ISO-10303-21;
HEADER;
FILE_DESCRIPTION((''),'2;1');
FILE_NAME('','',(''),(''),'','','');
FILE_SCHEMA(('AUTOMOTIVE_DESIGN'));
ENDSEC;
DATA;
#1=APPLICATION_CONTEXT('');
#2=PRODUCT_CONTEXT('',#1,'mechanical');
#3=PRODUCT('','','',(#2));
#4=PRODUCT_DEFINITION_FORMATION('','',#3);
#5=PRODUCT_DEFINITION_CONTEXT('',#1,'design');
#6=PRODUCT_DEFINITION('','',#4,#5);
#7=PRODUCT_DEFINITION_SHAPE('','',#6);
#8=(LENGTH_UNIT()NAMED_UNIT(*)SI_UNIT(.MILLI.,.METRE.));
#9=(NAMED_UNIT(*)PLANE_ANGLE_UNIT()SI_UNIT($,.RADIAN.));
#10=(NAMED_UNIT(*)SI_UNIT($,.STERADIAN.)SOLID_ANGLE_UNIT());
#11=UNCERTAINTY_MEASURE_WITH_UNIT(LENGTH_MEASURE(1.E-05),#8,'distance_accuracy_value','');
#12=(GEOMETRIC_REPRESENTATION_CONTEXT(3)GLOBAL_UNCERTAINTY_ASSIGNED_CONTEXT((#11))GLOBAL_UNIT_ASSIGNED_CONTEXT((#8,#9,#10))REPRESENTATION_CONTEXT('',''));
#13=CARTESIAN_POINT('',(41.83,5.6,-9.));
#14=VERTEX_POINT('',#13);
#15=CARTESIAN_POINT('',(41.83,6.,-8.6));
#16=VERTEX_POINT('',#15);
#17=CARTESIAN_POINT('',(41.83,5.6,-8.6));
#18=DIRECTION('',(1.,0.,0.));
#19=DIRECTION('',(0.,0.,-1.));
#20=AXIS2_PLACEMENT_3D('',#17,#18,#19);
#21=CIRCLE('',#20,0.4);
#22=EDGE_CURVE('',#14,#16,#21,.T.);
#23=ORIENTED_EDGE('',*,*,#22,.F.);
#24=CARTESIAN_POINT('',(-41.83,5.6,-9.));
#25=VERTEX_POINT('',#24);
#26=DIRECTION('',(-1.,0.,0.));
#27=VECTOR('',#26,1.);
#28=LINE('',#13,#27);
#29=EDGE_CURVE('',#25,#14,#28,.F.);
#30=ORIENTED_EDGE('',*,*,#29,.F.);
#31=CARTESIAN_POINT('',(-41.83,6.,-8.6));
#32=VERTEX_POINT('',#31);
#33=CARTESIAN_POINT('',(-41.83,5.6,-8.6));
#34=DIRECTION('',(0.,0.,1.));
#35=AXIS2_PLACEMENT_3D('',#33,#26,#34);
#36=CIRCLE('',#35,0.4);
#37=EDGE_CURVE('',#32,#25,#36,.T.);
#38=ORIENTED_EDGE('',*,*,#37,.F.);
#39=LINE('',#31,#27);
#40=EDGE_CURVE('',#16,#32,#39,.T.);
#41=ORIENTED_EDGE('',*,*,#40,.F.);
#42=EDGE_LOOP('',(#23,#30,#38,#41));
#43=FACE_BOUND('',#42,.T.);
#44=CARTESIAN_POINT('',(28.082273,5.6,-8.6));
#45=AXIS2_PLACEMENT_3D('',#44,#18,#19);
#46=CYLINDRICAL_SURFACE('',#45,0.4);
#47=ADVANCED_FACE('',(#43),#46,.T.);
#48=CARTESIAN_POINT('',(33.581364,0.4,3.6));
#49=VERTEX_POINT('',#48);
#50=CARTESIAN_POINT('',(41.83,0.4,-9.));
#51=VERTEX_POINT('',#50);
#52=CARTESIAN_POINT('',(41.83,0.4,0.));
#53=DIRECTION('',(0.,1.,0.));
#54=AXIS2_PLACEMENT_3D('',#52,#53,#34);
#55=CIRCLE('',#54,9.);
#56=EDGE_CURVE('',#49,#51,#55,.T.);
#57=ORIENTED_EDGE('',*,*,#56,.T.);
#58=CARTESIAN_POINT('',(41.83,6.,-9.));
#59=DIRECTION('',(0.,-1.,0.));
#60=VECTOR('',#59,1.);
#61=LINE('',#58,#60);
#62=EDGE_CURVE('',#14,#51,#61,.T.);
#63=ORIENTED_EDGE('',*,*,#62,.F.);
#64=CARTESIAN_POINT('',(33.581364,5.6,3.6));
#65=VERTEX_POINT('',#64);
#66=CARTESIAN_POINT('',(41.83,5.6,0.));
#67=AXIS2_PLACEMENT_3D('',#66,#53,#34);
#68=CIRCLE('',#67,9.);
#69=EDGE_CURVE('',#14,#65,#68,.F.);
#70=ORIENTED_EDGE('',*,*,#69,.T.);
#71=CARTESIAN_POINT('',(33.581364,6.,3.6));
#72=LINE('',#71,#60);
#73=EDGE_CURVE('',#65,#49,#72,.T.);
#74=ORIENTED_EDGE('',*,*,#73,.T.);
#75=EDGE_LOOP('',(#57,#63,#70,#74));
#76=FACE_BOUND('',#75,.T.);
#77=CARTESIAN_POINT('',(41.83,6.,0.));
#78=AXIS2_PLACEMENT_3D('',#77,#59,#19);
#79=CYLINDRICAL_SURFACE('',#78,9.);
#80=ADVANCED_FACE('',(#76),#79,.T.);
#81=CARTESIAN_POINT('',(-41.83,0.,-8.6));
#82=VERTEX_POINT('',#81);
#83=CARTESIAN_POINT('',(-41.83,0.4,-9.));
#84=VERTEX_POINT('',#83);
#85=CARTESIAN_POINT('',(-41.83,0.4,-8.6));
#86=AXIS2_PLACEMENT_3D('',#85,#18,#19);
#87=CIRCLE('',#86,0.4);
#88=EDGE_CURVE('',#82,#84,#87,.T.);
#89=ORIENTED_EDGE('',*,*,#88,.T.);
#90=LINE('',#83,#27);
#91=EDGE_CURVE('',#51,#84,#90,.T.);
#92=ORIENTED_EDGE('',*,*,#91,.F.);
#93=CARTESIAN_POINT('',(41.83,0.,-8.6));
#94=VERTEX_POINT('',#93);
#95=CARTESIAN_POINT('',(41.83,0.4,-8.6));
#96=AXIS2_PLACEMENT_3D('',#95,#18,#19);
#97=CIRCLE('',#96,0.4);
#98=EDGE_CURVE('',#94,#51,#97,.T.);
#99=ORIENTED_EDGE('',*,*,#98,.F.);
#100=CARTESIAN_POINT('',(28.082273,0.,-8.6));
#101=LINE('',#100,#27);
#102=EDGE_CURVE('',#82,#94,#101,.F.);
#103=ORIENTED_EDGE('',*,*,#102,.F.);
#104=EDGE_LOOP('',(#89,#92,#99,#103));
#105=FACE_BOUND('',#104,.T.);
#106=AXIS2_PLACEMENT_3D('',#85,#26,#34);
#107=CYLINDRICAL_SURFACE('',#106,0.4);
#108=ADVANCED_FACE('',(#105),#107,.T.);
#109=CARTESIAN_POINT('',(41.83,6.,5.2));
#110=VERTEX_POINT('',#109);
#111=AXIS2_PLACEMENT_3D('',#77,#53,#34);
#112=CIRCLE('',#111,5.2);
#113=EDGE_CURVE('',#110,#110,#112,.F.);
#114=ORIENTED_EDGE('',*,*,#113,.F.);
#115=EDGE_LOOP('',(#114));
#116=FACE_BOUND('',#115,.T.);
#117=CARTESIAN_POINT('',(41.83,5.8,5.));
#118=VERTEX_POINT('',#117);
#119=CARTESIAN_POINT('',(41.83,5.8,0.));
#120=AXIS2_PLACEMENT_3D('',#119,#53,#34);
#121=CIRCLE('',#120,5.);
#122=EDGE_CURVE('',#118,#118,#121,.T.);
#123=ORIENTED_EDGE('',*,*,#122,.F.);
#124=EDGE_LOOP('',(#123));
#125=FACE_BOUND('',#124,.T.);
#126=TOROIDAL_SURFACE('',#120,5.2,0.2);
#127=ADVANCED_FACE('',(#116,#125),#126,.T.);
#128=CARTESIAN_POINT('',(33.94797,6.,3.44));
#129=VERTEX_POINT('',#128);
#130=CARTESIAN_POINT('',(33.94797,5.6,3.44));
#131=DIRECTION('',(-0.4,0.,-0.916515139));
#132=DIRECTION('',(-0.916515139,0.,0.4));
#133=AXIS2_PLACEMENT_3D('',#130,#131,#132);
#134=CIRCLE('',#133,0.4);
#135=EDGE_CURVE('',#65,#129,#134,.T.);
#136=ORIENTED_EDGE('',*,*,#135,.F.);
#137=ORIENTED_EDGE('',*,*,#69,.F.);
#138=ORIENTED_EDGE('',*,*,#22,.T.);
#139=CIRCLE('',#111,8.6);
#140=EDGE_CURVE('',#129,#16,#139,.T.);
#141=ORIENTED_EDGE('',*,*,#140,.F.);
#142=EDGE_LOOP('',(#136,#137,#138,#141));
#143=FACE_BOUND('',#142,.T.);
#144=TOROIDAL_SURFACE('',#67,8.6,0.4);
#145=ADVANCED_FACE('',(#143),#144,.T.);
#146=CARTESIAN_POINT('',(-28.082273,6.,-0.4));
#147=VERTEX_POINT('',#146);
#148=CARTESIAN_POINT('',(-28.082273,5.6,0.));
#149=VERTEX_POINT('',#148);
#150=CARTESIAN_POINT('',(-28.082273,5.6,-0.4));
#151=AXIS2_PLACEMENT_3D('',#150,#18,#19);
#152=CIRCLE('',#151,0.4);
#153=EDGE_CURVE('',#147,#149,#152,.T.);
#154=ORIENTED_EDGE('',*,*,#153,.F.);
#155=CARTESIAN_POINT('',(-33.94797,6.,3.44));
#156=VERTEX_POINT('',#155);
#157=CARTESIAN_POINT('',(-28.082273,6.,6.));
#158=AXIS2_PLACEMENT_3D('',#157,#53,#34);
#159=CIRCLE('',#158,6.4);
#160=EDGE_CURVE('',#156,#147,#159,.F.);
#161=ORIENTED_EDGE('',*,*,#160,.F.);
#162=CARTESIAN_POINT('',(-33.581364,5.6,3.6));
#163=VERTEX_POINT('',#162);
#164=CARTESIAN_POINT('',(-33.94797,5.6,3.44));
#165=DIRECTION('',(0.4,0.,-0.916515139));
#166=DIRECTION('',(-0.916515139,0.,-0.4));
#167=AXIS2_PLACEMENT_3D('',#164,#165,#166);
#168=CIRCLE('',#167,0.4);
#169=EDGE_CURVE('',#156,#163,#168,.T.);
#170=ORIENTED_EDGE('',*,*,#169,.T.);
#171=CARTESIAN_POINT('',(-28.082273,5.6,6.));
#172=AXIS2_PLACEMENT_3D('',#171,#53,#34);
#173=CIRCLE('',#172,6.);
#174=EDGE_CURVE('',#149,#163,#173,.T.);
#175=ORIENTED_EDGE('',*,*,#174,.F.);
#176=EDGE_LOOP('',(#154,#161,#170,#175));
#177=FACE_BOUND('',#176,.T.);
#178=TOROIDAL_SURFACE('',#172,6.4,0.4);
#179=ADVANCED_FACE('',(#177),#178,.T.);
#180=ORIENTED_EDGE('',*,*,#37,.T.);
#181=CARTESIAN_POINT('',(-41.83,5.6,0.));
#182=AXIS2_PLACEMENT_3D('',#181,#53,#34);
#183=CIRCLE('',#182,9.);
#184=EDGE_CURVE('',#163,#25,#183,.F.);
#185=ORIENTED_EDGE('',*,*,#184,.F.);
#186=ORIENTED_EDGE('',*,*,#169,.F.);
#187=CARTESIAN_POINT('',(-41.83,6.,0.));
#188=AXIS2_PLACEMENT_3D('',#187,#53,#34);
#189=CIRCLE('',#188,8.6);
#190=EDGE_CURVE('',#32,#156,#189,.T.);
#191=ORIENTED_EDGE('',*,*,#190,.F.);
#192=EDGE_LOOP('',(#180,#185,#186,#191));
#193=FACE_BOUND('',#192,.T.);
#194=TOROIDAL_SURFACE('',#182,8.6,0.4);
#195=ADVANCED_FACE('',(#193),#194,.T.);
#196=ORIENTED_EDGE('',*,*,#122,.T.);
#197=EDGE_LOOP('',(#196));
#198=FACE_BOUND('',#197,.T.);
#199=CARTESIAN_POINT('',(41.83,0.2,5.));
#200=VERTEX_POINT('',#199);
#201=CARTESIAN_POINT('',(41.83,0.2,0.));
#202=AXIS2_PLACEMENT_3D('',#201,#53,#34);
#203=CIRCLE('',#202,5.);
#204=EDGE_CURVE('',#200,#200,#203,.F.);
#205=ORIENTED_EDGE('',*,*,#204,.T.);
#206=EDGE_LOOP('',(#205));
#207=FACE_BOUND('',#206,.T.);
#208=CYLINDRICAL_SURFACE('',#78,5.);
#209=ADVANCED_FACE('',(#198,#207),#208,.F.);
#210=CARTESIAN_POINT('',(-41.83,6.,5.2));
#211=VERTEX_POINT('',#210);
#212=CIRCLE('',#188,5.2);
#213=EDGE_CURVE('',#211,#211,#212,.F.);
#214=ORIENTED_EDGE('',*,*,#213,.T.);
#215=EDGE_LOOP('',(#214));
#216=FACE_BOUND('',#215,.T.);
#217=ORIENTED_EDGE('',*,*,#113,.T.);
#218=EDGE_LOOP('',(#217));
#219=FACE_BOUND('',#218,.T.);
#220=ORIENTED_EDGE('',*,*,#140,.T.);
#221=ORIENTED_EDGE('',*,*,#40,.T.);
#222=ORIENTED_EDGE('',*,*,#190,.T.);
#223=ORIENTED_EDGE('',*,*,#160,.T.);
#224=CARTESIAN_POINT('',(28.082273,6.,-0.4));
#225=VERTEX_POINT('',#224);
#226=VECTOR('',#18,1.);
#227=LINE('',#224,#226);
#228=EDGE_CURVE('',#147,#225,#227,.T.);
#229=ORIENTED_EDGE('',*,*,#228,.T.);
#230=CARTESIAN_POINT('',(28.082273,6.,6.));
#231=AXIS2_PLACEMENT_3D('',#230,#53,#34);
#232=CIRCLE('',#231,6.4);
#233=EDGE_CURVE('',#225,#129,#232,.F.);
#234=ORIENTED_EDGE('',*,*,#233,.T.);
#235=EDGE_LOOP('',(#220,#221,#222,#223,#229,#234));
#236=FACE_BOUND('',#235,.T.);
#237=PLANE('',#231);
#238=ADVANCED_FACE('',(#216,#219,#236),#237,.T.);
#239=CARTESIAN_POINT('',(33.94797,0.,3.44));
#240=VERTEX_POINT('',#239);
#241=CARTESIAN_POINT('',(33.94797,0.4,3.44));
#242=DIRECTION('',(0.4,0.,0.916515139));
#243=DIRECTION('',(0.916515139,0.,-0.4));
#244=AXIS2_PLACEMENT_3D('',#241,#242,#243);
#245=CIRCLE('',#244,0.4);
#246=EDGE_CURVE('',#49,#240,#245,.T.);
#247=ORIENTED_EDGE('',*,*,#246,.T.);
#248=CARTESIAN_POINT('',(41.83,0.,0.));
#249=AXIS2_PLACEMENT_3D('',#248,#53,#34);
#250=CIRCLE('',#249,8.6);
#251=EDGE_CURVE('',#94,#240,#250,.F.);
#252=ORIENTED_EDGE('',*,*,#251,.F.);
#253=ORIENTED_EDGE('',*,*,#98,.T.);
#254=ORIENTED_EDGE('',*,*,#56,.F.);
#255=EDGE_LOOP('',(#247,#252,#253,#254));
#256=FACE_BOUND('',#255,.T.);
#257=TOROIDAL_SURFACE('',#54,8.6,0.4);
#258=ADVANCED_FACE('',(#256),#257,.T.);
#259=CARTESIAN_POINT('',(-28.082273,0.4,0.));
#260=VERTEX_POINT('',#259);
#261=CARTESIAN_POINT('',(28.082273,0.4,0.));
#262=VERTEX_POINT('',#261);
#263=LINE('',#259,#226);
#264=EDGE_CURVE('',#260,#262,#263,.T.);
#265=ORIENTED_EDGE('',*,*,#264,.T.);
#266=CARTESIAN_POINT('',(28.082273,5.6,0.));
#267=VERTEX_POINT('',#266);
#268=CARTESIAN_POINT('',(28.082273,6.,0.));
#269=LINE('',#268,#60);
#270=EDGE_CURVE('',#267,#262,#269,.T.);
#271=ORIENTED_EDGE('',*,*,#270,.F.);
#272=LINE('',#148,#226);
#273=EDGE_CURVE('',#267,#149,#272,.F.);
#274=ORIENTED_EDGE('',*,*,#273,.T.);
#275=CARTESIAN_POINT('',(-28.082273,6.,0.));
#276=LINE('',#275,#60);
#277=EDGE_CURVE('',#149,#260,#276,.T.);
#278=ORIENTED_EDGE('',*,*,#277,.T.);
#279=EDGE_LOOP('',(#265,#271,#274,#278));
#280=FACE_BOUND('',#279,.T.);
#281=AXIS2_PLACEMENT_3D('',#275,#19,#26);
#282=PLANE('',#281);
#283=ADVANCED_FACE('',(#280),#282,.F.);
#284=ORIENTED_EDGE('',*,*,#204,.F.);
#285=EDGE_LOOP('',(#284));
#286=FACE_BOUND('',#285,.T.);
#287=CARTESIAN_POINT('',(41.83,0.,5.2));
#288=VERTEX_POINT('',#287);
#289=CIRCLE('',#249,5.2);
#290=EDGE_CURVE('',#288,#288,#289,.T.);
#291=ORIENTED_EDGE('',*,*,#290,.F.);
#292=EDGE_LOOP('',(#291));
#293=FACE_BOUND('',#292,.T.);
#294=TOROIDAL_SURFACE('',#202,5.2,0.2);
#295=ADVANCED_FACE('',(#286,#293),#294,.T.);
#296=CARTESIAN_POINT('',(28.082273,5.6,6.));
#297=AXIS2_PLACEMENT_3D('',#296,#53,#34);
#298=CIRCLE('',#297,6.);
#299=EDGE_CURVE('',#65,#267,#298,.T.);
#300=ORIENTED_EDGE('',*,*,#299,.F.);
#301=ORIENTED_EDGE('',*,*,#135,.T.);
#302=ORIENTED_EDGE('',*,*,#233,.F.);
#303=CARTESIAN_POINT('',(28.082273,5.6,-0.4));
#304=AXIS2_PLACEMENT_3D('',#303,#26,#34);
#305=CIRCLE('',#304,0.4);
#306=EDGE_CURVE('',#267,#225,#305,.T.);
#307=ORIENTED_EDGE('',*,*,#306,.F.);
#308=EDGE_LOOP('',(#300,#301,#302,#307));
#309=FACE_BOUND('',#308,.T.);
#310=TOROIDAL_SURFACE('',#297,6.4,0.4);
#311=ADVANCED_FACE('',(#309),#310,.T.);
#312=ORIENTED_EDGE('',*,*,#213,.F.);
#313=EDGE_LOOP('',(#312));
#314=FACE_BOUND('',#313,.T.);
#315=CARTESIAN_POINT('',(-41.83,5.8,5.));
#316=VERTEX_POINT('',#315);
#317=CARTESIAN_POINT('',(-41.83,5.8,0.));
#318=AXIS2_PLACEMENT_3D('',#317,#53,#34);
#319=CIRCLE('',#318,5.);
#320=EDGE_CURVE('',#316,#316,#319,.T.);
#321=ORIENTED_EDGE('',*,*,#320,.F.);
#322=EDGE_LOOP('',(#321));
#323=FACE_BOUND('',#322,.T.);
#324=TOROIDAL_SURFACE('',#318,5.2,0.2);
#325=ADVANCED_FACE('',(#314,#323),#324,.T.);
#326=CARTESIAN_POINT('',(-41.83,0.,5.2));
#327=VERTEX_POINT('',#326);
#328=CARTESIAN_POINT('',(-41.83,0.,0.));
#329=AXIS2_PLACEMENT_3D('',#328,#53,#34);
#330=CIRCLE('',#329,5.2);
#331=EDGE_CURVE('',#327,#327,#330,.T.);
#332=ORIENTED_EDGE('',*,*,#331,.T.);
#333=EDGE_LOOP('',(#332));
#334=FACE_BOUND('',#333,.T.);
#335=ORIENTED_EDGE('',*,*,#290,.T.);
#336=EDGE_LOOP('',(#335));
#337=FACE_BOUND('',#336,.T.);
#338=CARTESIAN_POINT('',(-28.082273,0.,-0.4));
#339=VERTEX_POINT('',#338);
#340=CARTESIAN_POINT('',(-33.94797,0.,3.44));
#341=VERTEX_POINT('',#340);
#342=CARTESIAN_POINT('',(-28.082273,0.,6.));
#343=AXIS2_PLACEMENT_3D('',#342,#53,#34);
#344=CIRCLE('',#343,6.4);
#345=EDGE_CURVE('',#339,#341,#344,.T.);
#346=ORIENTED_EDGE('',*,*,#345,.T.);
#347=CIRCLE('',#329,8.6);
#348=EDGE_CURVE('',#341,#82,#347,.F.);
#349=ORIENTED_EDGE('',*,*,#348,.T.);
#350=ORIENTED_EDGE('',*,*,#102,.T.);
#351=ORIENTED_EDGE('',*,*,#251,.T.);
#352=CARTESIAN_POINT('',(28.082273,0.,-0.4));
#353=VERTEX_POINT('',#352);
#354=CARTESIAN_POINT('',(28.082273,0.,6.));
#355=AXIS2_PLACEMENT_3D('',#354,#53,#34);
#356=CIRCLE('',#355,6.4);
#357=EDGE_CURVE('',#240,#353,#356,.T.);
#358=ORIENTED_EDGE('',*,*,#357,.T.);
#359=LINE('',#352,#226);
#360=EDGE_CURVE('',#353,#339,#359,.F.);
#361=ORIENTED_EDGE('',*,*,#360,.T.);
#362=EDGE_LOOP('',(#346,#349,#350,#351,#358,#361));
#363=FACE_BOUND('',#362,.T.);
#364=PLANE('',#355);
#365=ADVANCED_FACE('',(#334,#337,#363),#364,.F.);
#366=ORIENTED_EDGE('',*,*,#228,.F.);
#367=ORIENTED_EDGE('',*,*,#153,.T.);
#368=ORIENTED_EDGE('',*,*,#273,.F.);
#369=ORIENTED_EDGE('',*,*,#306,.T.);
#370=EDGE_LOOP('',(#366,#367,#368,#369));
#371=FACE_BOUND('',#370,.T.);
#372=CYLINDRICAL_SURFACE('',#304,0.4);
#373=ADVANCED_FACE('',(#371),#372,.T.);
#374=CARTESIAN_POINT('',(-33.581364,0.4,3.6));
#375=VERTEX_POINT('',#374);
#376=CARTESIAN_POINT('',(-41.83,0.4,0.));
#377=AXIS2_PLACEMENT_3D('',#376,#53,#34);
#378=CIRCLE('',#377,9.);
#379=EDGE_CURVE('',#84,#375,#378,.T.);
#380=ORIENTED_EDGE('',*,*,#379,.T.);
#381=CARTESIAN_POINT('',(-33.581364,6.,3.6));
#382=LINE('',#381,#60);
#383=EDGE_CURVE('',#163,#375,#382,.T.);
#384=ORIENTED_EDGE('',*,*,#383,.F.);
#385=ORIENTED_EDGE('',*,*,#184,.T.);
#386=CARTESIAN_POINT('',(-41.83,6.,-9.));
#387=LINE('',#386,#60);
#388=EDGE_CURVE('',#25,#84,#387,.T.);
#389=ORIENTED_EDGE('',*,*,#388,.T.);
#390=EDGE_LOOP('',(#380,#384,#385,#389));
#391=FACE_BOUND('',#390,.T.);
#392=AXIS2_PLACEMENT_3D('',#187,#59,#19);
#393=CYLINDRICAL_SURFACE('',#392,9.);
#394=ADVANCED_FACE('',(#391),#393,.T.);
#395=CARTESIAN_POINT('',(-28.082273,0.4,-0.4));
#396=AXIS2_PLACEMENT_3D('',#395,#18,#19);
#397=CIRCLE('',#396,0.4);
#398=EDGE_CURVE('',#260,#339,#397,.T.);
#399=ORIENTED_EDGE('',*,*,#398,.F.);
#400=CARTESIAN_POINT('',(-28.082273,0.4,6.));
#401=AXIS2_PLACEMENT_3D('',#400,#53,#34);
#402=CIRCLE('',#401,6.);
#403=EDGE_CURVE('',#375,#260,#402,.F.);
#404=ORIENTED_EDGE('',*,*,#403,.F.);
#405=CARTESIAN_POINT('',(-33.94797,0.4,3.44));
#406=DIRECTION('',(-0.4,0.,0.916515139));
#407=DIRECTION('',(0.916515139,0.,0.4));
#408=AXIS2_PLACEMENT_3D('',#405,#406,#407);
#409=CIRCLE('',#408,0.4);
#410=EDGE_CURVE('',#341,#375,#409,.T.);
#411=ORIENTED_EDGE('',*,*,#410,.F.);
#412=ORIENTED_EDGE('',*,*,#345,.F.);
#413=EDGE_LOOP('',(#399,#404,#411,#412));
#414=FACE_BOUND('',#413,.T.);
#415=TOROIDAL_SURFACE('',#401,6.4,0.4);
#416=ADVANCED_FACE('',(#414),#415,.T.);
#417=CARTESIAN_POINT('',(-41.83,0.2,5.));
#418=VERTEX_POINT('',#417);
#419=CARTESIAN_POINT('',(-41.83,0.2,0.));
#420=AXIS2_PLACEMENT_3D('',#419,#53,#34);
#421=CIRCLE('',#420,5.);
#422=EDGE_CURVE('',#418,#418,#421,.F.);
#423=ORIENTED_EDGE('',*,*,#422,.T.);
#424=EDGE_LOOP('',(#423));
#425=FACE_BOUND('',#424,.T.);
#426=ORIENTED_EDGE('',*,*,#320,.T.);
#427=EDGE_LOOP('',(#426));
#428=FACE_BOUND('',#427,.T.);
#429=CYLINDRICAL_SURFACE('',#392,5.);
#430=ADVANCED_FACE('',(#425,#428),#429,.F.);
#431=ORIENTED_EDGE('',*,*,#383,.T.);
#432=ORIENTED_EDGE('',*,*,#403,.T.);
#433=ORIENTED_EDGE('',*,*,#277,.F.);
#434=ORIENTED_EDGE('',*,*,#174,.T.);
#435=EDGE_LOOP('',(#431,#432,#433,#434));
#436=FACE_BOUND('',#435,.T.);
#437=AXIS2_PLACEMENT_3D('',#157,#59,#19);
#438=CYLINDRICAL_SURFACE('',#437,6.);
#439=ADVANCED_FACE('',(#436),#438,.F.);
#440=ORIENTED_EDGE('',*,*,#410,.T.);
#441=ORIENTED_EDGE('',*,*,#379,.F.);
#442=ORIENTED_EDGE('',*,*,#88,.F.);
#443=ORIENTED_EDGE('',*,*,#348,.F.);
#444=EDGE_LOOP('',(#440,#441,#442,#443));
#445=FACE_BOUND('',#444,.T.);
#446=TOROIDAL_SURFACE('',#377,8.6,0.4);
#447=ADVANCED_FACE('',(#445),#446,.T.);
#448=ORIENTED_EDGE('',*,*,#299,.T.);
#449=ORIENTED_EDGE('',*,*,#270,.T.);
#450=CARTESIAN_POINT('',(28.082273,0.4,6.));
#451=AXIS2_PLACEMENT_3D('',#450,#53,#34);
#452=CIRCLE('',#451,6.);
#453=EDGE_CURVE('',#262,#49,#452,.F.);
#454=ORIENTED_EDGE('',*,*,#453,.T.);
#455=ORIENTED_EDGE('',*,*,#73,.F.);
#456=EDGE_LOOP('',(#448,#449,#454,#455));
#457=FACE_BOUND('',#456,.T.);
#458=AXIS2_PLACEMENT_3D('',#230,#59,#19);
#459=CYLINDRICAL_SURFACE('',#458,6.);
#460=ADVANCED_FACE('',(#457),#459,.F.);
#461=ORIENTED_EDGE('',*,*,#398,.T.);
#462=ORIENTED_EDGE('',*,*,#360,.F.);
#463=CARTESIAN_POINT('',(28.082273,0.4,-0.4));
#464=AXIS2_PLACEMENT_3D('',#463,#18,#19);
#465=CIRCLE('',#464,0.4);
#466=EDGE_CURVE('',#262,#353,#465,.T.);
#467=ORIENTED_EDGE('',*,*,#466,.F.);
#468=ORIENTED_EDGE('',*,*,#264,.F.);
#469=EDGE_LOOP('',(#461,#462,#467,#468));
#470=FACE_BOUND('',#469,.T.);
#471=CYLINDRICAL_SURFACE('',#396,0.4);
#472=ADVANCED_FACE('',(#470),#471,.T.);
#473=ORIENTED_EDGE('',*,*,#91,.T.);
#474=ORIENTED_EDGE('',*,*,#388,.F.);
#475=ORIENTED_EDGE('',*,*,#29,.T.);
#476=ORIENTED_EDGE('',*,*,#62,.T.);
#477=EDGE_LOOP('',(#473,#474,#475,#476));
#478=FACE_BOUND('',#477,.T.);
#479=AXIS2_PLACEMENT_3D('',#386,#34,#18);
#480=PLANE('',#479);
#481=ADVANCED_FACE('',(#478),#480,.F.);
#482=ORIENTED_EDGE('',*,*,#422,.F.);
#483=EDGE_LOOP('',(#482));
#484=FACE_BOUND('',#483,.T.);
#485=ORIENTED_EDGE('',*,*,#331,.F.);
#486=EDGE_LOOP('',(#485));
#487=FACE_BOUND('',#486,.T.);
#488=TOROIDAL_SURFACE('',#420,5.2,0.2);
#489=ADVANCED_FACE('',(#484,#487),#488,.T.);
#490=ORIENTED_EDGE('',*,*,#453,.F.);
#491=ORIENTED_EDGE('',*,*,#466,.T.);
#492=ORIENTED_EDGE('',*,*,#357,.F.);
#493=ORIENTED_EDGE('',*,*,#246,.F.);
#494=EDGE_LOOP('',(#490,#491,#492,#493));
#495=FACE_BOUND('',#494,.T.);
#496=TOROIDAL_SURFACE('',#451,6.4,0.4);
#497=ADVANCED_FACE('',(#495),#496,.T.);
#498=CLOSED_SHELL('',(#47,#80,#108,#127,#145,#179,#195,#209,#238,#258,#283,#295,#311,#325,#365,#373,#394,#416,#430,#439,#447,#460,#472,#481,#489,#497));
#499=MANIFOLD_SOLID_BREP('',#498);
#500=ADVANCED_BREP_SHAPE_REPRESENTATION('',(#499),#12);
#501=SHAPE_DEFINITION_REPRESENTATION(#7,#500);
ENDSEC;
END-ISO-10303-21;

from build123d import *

# Parameters (mm, degrees)
SKETCH_1_R      = 5
EXTRUDE_1_DEPTH = 6
FILLET_1_R      = 0.2
FILLET_2_R      = 0.4


with BuildPart() as part:
    # 草图1 → 凸台-拉伸1 (new body)
    with BuildSketch(Plane(origin=(0, 0, 0), x_dir=(1, 0, 0), z_dir=(0, 1, 0))):
        with BuildLine():
            Line((-41.83, 9), (41.83, 9))
            ThreePointArc((41.83, 9), (49.359940239, -4.929503018), (33.581363749, -3.6))
            ThreePointArc((33.581363749, -3.6), (31.36860826, -0.980039841), (28.082272915, 0))
            Line((28.082272915, 0), (-28.082272915, 0))
            ThreePointArc((-28.082272915, 0), (-31.36860826, -0.980039841), (-33.581363749, -3.6))
            ThreePointArc((-33.581363749, -3.6), (-49.359940239, -4.929503018), (-41.83, 9))
        make_face()
        with Locations((-41.83, 0)):
            Circle(SKETCH_1_R, mode=Mode.SUBTRACT)
        with Locations((41.83, 0)):
            Circle(SKETCH_1_R, mode=Mode.SUBTRACT)
    extrude(amount=EXTRUDE_1_DEPTH)

    # 圆角1
    fillet_1_edges = [part.edges().sort_by_distance(p)[0] for p in [
        (-46.83, 0, 0),
        (-46.83, 6, 0),
        (36.83, 0, 0),
        (36.83, 6, 0),
    ]]
    fillet(fillet_1_edges, radius=FILLET_1_R)

    # 圆角2
    fillet_2_edges = [part.edges().sort_by_distance(p)[0] for p in [
        (0, 6, -9),
        (-49.359940239, 6, 4.929503018),
        (-31.36860826, 6, 0.980039841),
        (0, 6, 0),
        (31.36860826, 6, 0.980039841),
        (0, 0, 0),
        (-31.36860826, 0, 0.980039841),
        (-49.359940239, 0, 4.929503018),
        (0, 0, -9),
        (49.359940239, 0, 4.929503018),
        (31.36860826, 0, 0.980039841),
        (49.359940239, 6, 4.929503018),
    ]]
    fillet(fillet_2_edges, radius=FILLET_2_R)


solid = part.part
